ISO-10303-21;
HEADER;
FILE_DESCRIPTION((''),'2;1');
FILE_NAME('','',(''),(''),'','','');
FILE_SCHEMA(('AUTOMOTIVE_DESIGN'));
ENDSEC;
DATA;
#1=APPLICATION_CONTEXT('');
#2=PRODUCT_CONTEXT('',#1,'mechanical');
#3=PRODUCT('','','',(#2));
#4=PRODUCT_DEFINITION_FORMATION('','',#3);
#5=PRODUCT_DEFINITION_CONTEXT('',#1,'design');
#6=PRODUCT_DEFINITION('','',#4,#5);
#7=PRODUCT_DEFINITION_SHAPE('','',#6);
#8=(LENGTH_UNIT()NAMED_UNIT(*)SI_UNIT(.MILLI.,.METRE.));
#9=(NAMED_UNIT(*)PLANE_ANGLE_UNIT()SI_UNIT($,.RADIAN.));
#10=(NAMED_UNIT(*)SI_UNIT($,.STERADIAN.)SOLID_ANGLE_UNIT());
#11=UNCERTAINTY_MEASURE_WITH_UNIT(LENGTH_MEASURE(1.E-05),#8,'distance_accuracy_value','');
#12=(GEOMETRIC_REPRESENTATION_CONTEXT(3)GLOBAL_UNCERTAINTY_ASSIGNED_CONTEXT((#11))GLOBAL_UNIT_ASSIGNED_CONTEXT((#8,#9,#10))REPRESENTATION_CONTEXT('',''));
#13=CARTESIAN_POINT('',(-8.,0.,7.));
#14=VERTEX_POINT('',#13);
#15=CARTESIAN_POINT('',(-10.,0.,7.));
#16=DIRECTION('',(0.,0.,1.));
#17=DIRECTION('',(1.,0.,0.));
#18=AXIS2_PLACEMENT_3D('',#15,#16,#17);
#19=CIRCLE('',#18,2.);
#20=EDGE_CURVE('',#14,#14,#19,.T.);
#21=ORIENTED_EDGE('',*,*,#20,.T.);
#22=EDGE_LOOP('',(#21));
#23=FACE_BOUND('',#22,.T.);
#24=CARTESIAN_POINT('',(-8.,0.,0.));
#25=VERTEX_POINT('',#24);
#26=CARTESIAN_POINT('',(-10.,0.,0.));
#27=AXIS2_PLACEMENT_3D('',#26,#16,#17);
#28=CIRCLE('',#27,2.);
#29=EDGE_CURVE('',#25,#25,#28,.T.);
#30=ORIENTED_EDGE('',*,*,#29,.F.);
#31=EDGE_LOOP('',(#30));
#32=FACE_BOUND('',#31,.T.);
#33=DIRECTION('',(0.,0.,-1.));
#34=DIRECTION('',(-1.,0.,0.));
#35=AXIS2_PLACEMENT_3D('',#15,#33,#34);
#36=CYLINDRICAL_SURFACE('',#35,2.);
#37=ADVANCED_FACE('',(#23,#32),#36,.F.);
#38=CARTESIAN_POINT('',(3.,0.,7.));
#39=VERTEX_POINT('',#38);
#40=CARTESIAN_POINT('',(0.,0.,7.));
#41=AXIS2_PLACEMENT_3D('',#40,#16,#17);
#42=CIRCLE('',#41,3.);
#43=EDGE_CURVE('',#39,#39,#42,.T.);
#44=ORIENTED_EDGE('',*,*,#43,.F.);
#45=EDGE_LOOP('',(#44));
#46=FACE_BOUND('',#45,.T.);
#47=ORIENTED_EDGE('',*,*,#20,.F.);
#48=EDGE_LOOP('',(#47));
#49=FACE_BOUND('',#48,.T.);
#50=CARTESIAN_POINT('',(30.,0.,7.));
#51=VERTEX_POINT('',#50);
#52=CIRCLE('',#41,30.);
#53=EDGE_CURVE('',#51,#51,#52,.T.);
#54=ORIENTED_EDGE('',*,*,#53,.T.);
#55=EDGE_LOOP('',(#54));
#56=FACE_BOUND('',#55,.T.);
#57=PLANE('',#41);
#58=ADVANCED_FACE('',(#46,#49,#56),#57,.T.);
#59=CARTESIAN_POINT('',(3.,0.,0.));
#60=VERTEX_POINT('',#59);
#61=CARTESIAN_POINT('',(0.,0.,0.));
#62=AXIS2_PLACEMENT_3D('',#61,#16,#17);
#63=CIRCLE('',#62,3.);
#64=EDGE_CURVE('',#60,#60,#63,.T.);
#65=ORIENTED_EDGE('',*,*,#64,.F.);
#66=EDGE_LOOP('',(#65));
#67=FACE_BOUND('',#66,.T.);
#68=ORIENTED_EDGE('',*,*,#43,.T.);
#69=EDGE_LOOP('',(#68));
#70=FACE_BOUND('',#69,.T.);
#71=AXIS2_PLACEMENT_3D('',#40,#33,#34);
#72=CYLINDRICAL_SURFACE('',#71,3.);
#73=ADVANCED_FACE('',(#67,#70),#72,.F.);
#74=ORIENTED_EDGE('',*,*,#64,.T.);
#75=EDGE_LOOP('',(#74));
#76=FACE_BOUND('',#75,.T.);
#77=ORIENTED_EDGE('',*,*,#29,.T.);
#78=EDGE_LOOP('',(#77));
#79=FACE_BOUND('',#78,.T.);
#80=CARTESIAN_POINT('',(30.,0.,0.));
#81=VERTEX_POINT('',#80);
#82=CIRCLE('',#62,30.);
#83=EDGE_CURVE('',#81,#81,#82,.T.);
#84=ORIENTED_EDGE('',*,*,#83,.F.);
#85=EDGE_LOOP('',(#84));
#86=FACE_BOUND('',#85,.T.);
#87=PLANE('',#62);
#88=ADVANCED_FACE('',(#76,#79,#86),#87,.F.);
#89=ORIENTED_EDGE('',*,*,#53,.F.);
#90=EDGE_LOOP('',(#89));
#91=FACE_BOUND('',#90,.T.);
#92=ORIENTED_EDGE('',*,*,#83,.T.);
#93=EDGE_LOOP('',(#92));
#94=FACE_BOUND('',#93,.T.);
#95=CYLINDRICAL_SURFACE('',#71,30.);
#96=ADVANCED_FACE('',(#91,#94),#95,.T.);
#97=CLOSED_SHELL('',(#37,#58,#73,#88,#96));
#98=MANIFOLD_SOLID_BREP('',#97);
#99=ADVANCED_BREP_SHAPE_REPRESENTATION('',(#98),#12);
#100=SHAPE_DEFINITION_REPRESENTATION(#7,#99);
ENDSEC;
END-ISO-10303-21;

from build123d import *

# Parameters (mm, degrees)
ESQUISSE1_R      = 30
ESQUISSE1_R_2    = 3
ESQUISSE1_R_3    = 2
EXTRUSION1_DEPTH = 7


with BuildPart() as part:
    # Esquisse1 → Extrusion1 (new body)
    with BuildSketch(Plane.XY):
        Circle(ESQUISSE1_R)
        Circle(ESQUISSE1_R_2, mode=Mode.SUBTRACT)
        with Locations((-10, 0)):
            Circle(ESQUISSE1_R_3, mode=Mode.SUBTRACT)
    extrude(amount=EXTRUSION1_DEPTH)


solid = part.part
